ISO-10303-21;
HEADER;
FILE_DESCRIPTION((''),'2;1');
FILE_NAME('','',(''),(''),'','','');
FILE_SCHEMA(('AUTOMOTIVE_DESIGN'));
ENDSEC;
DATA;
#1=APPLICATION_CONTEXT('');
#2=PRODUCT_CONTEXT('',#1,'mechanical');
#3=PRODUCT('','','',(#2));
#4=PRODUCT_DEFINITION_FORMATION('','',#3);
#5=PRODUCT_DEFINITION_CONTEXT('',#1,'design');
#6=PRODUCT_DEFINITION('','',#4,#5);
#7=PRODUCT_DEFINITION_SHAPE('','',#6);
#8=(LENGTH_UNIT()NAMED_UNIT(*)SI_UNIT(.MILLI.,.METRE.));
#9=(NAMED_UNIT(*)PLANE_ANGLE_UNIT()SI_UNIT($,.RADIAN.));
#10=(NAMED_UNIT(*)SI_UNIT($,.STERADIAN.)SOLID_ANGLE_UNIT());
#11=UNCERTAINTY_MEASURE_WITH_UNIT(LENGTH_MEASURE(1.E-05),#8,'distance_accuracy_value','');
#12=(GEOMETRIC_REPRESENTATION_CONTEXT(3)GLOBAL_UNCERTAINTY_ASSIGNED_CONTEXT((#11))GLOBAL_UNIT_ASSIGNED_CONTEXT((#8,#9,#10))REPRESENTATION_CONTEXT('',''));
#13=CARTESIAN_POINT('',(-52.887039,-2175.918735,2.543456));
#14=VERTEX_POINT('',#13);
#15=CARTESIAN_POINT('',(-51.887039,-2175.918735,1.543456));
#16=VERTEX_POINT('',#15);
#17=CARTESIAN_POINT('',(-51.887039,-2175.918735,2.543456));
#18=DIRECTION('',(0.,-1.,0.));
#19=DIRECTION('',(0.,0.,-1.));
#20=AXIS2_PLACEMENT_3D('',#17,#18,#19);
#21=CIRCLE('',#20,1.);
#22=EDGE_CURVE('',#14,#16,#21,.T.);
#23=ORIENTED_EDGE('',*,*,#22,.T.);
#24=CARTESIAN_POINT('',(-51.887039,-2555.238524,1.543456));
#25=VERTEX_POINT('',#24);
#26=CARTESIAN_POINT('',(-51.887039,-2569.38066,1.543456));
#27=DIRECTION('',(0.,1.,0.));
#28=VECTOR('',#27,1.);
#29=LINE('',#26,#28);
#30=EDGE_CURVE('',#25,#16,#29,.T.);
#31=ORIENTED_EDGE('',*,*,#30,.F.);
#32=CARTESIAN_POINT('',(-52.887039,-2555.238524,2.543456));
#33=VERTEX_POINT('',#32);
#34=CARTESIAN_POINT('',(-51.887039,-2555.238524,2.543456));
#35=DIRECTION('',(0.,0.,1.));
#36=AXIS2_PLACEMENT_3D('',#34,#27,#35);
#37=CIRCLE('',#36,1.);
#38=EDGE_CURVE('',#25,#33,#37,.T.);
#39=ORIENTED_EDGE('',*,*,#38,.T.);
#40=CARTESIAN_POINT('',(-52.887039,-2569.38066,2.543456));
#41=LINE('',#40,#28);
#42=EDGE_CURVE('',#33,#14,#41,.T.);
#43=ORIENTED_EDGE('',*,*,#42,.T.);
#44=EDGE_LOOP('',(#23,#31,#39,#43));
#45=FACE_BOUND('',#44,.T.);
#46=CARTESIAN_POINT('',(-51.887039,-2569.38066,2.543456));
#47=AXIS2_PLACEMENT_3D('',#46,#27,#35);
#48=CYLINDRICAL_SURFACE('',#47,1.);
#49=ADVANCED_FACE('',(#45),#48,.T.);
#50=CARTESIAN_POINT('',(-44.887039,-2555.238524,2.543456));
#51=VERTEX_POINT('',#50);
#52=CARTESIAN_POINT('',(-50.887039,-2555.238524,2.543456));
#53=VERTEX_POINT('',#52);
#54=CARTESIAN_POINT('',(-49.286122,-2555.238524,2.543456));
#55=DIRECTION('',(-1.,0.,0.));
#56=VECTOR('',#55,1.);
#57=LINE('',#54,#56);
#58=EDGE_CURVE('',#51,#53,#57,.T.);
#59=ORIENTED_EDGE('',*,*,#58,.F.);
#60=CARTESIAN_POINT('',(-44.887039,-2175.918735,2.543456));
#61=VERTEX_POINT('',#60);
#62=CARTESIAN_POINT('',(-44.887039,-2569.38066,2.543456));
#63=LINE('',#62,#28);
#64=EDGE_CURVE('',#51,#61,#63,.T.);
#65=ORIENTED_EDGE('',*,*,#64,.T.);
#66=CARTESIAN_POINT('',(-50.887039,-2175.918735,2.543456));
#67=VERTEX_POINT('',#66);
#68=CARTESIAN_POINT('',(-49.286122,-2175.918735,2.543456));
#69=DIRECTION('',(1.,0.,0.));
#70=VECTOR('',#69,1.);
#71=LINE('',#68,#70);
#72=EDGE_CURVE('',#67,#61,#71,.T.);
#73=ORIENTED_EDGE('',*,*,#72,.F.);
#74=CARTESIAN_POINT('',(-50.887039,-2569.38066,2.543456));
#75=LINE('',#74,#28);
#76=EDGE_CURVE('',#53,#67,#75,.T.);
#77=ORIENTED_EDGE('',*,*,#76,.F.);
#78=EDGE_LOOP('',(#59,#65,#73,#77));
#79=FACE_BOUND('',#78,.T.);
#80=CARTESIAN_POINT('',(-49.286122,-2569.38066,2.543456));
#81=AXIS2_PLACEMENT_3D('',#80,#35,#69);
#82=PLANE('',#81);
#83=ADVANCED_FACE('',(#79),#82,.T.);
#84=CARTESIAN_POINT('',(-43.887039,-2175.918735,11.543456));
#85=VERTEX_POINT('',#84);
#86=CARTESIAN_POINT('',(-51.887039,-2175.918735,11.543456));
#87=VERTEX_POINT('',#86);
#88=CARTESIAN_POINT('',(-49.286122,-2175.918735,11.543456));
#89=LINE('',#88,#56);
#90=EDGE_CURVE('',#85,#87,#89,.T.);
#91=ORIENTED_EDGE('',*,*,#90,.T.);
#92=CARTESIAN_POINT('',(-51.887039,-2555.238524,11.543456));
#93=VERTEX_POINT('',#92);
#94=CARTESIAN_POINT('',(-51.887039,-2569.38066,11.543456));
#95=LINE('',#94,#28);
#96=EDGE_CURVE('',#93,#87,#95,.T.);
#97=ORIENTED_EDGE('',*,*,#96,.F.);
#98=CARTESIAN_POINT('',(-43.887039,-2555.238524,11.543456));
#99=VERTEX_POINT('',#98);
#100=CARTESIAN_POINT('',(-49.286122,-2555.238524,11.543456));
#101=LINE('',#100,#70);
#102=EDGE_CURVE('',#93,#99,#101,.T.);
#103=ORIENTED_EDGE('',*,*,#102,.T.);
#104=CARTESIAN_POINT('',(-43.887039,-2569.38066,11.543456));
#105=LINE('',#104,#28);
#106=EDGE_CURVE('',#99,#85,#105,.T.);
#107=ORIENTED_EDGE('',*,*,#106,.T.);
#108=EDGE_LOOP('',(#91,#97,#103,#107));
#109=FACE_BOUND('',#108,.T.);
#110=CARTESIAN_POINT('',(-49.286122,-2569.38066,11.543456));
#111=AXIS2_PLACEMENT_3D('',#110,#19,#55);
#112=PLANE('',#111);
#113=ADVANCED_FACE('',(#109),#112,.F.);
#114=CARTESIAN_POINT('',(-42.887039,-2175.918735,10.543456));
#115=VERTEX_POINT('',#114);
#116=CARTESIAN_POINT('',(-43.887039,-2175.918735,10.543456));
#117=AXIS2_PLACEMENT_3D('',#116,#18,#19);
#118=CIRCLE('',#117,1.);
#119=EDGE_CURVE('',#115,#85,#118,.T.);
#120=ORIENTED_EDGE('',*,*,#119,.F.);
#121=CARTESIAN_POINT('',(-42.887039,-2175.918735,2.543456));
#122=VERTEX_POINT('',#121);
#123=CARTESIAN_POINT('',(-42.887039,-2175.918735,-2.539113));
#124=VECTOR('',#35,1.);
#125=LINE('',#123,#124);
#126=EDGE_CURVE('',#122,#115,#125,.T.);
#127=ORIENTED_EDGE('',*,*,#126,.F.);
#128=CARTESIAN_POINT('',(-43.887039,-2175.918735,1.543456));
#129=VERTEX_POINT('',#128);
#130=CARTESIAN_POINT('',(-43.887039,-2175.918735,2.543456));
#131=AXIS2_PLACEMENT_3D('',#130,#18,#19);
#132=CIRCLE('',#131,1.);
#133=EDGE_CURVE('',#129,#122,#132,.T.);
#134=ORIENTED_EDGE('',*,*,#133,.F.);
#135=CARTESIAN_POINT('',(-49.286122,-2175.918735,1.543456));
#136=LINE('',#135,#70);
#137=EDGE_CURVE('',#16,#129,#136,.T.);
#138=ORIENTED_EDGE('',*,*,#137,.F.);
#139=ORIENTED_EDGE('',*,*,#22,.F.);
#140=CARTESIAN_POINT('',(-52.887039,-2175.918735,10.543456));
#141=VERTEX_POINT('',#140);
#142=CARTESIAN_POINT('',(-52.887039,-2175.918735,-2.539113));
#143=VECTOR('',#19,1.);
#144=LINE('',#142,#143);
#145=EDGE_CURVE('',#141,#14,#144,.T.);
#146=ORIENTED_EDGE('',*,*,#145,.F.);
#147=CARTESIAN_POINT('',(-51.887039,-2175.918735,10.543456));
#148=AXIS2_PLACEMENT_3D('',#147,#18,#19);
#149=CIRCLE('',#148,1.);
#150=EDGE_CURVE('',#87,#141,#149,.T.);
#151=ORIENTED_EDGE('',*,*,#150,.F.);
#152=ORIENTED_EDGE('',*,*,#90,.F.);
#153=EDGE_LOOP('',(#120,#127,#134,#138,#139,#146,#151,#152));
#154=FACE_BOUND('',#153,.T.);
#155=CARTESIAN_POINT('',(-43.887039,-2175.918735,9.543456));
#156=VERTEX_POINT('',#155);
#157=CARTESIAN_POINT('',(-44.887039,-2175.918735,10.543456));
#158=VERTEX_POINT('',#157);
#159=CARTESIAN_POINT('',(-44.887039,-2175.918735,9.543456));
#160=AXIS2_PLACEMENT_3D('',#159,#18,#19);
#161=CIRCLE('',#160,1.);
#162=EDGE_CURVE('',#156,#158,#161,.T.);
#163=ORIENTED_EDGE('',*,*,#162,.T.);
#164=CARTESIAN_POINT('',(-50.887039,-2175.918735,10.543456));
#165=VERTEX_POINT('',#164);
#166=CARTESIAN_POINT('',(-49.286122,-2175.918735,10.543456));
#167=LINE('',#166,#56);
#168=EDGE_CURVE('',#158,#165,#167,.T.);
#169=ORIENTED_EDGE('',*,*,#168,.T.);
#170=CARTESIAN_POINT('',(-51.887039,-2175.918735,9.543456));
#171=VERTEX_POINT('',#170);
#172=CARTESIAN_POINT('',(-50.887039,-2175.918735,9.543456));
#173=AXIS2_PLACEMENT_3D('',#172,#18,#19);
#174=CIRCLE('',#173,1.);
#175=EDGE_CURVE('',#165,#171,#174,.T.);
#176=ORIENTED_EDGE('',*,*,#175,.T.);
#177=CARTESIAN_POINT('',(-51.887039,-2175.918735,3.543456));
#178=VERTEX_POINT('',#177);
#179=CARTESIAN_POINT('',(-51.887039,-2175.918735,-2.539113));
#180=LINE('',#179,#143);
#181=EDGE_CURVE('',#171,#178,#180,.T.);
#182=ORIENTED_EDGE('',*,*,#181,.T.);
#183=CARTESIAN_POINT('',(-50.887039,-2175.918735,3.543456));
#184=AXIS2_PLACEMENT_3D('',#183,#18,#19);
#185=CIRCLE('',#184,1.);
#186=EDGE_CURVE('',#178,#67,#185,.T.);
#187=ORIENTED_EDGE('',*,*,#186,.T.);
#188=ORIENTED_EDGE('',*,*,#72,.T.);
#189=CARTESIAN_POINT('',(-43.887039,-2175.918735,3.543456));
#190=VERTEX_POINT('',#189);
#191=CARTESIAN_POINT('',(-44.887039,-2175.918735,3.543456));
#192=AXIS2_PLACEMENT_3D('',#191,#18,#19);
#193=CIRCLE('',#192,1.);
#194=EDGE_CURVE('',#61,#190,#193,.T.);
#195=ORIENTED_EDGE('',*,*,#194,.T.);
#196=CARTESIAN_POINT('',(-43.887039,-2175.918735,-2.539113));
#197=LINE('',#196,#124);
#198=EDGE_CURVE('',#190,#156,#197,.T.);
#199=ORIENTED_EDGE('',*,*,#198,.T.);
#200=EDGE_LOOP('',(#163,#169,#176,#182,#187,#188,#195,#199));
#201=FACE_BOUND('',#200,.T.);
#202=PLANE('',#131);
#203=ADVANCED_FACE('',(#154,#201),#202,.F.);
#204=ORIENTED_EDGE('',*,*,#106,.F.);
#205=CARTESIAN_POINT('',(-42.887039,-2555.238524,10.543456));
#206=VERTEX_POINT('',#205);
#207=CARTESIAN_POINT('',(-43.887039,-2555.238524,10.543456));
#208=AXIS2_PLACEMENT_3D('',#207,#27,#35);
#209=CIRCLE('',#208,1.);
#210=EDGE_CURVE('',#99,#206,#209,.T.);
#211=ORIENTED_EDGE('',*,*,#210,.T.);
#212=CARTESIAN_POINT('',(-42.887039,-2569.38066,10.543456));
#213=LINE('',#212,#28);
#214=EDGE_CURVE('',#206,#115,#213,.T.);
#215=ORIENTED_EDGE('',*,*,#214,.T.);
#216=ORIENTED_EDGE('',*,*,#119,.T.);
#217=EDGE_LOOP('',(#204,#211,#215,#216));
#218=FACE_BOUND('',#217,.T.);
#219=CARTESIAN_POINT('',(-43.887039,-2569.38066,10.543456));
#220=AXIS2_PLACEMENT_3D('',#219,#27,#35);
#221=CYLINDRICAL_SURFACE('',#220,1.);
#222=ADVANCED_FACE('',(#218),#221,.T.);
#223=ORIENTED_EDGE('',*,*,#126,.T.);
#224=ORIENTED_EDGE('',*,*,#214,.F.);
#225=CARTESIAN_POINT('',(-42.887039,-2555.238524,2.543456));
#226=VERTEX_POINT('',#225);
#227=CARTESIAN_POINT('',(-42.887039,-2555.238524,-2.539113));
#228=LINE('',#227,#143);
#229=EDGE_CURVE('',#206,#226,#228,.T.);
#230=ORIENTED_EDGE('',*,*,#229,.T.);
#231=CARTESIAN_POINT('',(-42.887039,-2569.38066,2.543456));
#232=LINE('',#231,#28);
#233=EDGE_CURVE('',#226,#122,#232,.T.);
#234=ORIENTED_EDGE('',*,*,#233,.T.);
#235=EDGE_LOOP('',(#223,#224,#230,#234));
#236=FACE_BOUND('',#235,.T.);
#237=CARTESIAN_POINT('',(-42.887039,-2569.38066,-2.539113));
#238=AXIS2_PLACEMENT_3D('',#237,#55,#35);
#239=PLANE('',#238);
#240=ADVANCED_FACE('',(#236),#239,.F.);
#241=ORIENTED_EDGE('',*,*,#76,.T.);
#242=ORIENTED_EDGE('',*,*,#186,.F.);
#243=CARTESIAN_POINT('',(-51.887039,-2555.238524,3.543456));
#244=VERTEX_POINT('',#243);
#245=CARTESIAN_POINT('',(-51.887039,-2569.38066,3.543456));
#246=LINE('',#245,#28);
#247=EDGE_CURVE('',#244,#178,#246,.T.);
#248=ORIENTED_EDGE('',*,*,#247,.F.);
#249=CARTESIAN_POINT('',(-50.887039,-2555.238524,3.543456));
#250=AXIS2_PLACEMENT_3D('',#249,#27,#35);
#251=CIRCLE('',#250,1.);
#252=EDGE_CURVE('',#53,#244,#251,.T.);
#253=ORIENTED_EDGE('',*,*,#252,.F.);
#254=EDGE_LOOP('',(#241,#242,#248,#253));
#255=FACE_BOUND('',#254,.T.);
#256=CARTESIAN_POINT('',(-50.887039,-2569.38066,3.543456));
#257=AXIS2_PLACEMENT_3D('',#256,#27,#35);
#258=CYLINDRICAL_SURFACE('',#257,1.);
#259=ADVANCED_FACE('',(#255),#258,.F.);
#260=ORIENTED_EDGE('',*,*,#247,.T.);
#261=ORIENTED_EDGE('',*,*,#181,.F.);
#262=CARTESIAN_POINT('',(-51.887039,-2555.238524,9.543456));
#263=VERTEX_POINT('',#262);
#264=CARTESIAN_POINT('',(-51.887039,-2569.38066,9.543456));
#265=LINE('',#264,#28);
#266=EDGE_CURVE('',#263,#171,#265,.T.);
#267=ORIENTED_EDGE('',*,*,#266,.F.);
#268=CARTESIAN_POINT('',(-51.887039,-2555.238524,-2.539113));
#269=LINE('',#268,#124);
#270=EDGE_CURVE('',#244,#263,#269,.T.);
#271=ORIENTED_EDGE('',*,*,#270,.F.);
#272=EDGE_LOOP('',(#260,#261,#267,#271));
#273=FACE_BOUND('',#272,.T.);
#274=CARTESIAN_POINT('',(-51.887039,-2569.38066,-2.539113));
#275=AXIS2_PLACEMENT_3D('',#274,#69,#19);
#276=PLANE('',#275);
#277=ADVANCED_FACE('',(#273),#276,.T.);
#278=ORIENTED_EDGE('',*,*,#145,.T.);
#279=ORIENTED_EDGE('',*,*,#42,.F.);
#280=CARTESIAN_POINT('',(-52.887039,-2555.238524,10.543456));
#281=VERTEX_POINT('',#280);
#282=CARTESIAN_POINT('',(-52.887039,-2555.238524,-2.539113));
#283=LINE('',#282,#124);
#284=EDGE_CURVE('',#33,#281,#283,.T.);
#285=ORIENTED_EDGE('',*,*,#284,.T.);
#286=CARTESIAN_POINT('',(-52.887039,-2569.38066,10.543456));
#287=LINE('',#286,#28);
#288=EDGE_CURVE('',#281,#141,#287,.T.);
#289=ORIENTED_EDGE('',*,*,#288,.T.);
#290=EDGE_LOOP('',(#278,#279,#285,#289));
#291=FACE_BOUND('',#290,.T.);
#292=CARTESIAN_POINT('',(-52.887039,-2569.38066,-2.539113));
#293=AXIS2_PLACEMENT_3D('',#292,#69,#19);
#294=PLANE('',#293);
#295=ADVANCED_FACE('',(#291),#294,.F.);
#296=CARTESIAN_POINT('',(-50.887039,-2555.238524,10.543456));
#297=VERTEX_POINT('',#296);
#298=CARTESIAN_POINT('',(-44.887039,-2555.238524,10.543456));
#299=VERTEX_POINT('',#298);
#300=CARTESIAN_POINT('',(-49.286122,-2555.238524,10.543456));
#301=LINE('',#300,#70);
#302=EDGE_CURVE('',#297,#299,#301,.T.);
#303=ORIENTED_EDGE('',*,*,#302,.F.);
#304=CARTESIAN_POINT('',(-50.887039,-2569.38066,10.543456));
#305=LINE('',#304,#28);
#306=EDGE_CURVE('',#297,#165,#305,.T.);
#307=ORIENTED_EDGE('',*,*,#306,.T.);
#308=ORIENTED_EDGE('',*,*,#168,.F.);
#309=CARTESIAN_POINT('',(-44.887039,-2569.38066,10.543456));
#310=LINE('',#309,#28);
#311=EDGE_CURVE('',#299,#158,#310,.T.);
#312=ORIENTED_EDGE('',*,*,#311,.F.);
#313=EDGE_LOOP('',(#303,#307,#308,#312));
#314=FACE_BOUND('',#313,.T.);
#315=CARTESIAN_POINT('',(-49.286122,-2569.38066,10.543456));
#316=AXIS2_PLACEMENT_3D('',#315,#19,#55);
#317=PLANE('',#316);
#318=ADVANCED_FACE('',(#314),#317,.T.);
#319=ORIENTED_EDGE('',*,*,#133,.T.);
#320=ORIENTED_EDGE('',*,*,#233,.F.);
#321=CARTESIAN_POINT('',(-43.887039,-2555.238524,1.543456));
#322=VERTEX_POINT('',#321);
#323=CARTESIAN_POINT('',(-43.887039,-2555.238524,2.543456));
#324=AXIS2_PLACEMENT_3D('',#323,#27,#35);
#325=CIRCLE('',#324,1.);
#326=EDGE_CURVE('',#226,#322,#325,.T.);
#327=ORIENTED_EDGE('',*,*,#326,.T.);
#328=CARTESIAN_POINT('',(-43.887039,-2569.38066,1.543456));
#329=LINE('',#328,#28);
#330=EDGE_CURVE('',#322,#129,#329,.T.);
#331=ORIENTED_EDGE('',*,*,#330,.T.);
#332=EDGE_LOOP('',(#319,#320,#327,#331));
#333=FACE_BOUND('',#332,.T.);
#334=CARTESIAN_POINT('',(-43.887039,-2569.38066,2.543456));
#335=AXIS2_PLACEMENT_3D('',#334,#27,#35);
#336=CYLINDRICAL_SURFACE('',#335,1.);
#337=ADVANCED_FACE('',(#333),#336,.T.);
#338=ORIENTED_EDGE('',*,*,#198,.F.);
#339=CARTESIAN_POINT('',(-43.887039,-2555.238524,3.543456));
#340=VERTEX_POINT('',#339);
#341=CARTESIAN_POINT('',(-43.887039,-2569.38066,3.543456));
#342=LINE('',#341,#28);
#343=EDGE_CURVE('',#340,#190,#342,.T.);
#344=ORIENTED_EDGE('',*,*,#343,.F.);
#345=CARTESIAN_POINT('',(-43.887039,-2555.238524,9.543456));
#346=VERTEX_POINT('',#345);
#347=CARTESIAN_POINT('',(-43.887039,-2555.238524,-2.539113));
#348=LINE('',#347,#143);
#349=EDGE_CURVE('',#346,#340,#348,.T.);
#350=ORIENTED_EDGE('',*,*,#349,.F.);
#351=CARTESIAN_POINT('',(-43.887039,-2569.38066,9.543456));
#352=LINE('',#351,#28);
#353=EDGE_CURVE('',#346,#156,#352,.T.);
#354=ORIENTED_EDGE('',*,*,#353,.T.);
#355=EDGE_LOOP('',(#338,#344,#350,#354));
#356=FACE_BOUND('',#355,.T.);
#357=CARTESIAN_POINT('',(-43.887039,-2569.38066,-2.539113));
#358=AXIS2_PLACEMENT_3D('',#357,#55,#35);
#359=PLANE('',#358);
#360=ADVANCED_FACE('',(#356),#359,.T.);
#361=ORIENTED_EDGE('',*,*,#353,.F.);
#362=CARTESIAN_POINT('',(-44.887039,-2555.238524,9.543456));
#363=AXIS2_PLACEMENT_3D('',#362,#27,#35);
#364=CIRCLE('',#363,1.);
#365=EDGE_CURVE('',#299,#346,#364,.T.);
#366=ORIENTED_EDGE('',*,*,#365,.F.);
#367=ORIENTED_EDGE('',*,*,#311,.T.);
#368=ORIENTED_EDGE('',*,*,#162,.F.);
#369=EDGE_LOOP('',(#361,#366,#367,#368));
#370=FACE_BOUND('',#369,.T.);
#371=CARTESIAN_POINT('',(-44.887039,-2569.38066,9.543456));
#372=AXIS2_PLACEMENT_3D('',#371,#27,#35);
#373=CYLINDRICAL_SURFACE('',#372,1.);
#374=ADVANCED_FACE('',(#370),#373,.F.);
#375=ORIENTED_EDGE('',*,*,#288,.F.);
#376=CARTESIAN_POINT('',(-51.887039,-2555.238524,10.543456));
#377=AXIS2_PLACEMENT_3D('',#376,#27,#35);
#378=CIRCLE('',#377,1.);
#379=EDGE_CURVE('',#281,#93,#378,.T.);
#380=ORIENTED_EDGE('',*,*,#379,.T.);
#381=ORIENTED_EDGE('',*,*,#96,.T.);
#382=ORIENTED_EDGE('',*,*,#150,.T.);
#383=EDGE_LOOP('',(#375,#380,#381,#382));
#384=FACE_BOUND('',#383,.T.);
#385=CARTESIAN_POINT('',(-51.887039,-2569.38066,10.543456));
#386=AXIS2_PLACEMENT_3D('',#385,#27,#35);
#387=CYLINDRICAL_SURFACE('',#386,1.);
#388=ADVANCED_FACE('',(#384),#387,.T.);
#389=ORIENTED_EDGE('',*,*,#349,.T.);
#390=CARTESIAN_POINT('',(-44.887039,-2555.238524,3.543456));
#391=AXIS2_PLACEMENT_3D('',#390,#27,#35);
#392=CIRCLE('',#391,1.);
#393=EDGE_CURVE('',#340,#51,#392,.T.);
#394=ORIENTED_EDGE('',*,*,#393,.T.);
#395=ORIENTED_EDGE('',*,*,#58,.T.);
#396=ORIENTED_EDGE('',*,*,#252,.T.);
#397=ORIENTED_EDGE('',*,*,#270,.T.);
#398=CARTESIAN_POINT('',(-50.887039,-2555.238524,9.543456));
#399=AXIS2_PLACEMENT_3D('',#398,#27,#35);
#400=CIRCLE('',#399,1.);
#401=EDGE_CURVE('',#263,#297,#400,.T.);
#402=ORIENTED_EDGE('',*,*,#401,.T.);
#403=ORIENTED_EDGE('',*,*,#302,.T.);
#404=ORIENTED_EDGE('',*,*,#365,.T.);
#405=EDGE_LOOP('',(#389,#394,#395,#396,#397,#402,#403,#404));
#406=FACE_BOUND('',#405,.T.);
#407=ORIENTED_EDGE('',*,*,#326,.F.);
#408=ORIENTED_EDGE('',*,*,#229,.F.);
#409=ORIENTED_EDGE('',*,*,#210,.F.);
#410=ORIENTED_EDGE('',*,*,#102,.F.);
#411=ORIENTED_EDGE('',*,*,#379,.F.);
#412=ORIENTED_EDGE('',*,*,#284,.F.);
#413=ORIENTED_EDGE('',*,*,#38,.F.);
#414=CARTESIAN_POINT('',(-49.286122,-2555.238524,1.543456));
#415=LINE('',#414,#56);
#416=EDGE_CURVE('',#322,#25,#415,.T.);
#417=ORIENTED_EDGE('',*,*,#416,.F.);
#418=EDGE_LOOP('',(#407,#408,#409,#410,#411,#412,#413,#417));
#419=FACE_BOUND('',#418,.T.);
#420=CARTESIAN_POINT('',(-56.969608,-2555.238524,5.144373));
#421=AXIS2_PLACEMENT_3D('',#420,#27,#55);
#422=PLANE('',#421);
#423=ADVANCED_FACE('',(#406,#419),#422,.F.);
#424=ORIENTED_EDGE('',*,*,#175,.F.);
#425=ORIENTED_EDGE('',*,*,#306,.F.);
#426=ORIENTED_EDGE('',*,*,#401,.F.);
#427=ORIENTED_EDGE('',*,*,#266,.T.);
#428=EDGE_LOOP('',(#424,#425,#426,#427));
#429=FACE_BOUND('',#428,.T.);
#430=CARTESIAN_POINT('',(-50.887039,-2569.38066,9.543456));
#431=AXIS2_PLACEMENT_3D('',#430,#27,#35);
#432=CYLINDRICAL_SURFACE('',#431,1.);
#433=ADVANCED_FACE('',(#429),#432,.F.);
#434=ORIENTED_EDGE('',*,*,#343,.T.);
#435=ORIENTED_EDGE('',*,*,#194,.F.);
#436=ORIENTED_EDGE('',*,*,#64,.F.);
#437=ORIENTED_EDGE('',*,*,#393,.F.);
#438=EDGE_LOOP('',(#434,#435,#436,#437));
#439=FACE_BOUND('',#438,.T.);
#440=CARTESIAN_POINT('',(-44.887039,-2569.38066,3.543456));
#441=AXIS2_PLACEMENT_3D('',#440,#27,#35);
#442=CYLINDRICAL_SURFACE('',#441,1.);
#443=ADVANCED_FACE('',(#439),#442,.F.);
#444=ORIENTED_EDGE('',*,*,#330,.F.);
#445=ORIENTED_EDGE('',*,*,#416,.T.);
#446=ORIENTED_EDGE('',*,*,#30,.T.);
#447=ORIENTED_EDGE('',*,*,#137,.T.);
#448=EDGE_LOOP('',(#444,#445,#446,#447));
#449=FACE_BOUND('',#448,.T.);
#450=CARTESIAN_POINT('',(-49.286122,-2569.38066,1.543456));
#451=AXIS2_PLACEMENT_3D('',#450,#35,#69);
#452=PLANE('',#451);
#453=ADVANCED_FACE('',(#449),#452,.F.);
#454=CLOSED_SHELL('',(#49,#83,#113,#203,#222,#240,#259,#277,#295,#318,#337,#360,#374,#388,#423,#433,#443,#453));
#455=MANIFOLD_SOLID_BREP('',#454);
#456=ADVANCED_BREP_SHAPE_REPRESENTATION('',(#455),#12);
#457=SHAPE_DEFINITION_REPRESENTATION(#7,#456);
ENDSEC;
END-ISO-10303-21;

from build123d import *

# Parameters (mm, degrees)
BOSS_EXTRUDE1_START = -2175.918735
BOSS_EXTRUDE1_DEPTH = 379.319789155


with BuildPart() as part:
    # Sketch1 → Boss-Extrude1 (new body)
    with BuildSketch(Plane(origin=(0, 0, 0), x_dir=(1, 0, 0), z_dir=(0, 1, 0)).offset(BOSS_EXTRUDE1_START)):
        with BuildLine():
            Line((-51.887039023, -1.543455886), (-43.887039023, -1.543455886))
            ThreePointArc((-43.887039023, -1.543455886), (-43.179932241, -1.836349105), (-42.887039023, -2.543455886))
            Line((-42.887039023, -2.543455886), (-42.887039023, -10.543455886))
            ThreePointArc((-42.887039023, -10.543455886), (-43.179932241, -11.250562667), (-43.887039023, -11.543455886))
            Line((-43.887039023, -11.543455886), (-51.887039023, -11.543455886))
            ThreePointArc((-51.887039023, -11.543455886), (-52.594145804, -11.250562667), (-52.887039023, -10.543455886))
            Line((-52.887039023, -10.543455886), (-52.887039023, -2.543455886))
            ThreePointArc((-52.887039023, -2.543455886), (-52.594145804, -1.836349105), (-51.887039023, -1.543455886))
        make_face()
        with BuildLine():
            Line((-50.887039023, -2.543455886), (-44.887039023, -2.543455886))
            ThreePointArc((-44.887039023, -2.543455886), (-44.179932241, -2.836349105), (-43.887039023, -3.543455886))
            Line((-43.887039023, -3.543455886), (-43.887039023, -9.543455886))
            ThreePointArc((-43.887039023, -9.543455886), (-44.179932241, -10.250562667), (-44.887039023, -10.543455886))
            Line((-44.887039023, -10.543455886), (-50.887039023, -10.543455886))
            ThreePointArc((-50.887039023, -10.543455886), (-51.594145804, -10.250562667), (-51.887039023, -9.543455886))
            Line((-51.887039023, -9.543455886), (-51.887039023, -3.543455886))
            ThreePointArc((-51.887039023, -3.543455886), (-51.594145804, -2.836349105), (-50.887039023, -2.543455886))
        make_face(mode=Mode.SUBTRACT)
    extrude(amount=-BOSS_EXTRUDE1_DEPTH)


solid = part.part
